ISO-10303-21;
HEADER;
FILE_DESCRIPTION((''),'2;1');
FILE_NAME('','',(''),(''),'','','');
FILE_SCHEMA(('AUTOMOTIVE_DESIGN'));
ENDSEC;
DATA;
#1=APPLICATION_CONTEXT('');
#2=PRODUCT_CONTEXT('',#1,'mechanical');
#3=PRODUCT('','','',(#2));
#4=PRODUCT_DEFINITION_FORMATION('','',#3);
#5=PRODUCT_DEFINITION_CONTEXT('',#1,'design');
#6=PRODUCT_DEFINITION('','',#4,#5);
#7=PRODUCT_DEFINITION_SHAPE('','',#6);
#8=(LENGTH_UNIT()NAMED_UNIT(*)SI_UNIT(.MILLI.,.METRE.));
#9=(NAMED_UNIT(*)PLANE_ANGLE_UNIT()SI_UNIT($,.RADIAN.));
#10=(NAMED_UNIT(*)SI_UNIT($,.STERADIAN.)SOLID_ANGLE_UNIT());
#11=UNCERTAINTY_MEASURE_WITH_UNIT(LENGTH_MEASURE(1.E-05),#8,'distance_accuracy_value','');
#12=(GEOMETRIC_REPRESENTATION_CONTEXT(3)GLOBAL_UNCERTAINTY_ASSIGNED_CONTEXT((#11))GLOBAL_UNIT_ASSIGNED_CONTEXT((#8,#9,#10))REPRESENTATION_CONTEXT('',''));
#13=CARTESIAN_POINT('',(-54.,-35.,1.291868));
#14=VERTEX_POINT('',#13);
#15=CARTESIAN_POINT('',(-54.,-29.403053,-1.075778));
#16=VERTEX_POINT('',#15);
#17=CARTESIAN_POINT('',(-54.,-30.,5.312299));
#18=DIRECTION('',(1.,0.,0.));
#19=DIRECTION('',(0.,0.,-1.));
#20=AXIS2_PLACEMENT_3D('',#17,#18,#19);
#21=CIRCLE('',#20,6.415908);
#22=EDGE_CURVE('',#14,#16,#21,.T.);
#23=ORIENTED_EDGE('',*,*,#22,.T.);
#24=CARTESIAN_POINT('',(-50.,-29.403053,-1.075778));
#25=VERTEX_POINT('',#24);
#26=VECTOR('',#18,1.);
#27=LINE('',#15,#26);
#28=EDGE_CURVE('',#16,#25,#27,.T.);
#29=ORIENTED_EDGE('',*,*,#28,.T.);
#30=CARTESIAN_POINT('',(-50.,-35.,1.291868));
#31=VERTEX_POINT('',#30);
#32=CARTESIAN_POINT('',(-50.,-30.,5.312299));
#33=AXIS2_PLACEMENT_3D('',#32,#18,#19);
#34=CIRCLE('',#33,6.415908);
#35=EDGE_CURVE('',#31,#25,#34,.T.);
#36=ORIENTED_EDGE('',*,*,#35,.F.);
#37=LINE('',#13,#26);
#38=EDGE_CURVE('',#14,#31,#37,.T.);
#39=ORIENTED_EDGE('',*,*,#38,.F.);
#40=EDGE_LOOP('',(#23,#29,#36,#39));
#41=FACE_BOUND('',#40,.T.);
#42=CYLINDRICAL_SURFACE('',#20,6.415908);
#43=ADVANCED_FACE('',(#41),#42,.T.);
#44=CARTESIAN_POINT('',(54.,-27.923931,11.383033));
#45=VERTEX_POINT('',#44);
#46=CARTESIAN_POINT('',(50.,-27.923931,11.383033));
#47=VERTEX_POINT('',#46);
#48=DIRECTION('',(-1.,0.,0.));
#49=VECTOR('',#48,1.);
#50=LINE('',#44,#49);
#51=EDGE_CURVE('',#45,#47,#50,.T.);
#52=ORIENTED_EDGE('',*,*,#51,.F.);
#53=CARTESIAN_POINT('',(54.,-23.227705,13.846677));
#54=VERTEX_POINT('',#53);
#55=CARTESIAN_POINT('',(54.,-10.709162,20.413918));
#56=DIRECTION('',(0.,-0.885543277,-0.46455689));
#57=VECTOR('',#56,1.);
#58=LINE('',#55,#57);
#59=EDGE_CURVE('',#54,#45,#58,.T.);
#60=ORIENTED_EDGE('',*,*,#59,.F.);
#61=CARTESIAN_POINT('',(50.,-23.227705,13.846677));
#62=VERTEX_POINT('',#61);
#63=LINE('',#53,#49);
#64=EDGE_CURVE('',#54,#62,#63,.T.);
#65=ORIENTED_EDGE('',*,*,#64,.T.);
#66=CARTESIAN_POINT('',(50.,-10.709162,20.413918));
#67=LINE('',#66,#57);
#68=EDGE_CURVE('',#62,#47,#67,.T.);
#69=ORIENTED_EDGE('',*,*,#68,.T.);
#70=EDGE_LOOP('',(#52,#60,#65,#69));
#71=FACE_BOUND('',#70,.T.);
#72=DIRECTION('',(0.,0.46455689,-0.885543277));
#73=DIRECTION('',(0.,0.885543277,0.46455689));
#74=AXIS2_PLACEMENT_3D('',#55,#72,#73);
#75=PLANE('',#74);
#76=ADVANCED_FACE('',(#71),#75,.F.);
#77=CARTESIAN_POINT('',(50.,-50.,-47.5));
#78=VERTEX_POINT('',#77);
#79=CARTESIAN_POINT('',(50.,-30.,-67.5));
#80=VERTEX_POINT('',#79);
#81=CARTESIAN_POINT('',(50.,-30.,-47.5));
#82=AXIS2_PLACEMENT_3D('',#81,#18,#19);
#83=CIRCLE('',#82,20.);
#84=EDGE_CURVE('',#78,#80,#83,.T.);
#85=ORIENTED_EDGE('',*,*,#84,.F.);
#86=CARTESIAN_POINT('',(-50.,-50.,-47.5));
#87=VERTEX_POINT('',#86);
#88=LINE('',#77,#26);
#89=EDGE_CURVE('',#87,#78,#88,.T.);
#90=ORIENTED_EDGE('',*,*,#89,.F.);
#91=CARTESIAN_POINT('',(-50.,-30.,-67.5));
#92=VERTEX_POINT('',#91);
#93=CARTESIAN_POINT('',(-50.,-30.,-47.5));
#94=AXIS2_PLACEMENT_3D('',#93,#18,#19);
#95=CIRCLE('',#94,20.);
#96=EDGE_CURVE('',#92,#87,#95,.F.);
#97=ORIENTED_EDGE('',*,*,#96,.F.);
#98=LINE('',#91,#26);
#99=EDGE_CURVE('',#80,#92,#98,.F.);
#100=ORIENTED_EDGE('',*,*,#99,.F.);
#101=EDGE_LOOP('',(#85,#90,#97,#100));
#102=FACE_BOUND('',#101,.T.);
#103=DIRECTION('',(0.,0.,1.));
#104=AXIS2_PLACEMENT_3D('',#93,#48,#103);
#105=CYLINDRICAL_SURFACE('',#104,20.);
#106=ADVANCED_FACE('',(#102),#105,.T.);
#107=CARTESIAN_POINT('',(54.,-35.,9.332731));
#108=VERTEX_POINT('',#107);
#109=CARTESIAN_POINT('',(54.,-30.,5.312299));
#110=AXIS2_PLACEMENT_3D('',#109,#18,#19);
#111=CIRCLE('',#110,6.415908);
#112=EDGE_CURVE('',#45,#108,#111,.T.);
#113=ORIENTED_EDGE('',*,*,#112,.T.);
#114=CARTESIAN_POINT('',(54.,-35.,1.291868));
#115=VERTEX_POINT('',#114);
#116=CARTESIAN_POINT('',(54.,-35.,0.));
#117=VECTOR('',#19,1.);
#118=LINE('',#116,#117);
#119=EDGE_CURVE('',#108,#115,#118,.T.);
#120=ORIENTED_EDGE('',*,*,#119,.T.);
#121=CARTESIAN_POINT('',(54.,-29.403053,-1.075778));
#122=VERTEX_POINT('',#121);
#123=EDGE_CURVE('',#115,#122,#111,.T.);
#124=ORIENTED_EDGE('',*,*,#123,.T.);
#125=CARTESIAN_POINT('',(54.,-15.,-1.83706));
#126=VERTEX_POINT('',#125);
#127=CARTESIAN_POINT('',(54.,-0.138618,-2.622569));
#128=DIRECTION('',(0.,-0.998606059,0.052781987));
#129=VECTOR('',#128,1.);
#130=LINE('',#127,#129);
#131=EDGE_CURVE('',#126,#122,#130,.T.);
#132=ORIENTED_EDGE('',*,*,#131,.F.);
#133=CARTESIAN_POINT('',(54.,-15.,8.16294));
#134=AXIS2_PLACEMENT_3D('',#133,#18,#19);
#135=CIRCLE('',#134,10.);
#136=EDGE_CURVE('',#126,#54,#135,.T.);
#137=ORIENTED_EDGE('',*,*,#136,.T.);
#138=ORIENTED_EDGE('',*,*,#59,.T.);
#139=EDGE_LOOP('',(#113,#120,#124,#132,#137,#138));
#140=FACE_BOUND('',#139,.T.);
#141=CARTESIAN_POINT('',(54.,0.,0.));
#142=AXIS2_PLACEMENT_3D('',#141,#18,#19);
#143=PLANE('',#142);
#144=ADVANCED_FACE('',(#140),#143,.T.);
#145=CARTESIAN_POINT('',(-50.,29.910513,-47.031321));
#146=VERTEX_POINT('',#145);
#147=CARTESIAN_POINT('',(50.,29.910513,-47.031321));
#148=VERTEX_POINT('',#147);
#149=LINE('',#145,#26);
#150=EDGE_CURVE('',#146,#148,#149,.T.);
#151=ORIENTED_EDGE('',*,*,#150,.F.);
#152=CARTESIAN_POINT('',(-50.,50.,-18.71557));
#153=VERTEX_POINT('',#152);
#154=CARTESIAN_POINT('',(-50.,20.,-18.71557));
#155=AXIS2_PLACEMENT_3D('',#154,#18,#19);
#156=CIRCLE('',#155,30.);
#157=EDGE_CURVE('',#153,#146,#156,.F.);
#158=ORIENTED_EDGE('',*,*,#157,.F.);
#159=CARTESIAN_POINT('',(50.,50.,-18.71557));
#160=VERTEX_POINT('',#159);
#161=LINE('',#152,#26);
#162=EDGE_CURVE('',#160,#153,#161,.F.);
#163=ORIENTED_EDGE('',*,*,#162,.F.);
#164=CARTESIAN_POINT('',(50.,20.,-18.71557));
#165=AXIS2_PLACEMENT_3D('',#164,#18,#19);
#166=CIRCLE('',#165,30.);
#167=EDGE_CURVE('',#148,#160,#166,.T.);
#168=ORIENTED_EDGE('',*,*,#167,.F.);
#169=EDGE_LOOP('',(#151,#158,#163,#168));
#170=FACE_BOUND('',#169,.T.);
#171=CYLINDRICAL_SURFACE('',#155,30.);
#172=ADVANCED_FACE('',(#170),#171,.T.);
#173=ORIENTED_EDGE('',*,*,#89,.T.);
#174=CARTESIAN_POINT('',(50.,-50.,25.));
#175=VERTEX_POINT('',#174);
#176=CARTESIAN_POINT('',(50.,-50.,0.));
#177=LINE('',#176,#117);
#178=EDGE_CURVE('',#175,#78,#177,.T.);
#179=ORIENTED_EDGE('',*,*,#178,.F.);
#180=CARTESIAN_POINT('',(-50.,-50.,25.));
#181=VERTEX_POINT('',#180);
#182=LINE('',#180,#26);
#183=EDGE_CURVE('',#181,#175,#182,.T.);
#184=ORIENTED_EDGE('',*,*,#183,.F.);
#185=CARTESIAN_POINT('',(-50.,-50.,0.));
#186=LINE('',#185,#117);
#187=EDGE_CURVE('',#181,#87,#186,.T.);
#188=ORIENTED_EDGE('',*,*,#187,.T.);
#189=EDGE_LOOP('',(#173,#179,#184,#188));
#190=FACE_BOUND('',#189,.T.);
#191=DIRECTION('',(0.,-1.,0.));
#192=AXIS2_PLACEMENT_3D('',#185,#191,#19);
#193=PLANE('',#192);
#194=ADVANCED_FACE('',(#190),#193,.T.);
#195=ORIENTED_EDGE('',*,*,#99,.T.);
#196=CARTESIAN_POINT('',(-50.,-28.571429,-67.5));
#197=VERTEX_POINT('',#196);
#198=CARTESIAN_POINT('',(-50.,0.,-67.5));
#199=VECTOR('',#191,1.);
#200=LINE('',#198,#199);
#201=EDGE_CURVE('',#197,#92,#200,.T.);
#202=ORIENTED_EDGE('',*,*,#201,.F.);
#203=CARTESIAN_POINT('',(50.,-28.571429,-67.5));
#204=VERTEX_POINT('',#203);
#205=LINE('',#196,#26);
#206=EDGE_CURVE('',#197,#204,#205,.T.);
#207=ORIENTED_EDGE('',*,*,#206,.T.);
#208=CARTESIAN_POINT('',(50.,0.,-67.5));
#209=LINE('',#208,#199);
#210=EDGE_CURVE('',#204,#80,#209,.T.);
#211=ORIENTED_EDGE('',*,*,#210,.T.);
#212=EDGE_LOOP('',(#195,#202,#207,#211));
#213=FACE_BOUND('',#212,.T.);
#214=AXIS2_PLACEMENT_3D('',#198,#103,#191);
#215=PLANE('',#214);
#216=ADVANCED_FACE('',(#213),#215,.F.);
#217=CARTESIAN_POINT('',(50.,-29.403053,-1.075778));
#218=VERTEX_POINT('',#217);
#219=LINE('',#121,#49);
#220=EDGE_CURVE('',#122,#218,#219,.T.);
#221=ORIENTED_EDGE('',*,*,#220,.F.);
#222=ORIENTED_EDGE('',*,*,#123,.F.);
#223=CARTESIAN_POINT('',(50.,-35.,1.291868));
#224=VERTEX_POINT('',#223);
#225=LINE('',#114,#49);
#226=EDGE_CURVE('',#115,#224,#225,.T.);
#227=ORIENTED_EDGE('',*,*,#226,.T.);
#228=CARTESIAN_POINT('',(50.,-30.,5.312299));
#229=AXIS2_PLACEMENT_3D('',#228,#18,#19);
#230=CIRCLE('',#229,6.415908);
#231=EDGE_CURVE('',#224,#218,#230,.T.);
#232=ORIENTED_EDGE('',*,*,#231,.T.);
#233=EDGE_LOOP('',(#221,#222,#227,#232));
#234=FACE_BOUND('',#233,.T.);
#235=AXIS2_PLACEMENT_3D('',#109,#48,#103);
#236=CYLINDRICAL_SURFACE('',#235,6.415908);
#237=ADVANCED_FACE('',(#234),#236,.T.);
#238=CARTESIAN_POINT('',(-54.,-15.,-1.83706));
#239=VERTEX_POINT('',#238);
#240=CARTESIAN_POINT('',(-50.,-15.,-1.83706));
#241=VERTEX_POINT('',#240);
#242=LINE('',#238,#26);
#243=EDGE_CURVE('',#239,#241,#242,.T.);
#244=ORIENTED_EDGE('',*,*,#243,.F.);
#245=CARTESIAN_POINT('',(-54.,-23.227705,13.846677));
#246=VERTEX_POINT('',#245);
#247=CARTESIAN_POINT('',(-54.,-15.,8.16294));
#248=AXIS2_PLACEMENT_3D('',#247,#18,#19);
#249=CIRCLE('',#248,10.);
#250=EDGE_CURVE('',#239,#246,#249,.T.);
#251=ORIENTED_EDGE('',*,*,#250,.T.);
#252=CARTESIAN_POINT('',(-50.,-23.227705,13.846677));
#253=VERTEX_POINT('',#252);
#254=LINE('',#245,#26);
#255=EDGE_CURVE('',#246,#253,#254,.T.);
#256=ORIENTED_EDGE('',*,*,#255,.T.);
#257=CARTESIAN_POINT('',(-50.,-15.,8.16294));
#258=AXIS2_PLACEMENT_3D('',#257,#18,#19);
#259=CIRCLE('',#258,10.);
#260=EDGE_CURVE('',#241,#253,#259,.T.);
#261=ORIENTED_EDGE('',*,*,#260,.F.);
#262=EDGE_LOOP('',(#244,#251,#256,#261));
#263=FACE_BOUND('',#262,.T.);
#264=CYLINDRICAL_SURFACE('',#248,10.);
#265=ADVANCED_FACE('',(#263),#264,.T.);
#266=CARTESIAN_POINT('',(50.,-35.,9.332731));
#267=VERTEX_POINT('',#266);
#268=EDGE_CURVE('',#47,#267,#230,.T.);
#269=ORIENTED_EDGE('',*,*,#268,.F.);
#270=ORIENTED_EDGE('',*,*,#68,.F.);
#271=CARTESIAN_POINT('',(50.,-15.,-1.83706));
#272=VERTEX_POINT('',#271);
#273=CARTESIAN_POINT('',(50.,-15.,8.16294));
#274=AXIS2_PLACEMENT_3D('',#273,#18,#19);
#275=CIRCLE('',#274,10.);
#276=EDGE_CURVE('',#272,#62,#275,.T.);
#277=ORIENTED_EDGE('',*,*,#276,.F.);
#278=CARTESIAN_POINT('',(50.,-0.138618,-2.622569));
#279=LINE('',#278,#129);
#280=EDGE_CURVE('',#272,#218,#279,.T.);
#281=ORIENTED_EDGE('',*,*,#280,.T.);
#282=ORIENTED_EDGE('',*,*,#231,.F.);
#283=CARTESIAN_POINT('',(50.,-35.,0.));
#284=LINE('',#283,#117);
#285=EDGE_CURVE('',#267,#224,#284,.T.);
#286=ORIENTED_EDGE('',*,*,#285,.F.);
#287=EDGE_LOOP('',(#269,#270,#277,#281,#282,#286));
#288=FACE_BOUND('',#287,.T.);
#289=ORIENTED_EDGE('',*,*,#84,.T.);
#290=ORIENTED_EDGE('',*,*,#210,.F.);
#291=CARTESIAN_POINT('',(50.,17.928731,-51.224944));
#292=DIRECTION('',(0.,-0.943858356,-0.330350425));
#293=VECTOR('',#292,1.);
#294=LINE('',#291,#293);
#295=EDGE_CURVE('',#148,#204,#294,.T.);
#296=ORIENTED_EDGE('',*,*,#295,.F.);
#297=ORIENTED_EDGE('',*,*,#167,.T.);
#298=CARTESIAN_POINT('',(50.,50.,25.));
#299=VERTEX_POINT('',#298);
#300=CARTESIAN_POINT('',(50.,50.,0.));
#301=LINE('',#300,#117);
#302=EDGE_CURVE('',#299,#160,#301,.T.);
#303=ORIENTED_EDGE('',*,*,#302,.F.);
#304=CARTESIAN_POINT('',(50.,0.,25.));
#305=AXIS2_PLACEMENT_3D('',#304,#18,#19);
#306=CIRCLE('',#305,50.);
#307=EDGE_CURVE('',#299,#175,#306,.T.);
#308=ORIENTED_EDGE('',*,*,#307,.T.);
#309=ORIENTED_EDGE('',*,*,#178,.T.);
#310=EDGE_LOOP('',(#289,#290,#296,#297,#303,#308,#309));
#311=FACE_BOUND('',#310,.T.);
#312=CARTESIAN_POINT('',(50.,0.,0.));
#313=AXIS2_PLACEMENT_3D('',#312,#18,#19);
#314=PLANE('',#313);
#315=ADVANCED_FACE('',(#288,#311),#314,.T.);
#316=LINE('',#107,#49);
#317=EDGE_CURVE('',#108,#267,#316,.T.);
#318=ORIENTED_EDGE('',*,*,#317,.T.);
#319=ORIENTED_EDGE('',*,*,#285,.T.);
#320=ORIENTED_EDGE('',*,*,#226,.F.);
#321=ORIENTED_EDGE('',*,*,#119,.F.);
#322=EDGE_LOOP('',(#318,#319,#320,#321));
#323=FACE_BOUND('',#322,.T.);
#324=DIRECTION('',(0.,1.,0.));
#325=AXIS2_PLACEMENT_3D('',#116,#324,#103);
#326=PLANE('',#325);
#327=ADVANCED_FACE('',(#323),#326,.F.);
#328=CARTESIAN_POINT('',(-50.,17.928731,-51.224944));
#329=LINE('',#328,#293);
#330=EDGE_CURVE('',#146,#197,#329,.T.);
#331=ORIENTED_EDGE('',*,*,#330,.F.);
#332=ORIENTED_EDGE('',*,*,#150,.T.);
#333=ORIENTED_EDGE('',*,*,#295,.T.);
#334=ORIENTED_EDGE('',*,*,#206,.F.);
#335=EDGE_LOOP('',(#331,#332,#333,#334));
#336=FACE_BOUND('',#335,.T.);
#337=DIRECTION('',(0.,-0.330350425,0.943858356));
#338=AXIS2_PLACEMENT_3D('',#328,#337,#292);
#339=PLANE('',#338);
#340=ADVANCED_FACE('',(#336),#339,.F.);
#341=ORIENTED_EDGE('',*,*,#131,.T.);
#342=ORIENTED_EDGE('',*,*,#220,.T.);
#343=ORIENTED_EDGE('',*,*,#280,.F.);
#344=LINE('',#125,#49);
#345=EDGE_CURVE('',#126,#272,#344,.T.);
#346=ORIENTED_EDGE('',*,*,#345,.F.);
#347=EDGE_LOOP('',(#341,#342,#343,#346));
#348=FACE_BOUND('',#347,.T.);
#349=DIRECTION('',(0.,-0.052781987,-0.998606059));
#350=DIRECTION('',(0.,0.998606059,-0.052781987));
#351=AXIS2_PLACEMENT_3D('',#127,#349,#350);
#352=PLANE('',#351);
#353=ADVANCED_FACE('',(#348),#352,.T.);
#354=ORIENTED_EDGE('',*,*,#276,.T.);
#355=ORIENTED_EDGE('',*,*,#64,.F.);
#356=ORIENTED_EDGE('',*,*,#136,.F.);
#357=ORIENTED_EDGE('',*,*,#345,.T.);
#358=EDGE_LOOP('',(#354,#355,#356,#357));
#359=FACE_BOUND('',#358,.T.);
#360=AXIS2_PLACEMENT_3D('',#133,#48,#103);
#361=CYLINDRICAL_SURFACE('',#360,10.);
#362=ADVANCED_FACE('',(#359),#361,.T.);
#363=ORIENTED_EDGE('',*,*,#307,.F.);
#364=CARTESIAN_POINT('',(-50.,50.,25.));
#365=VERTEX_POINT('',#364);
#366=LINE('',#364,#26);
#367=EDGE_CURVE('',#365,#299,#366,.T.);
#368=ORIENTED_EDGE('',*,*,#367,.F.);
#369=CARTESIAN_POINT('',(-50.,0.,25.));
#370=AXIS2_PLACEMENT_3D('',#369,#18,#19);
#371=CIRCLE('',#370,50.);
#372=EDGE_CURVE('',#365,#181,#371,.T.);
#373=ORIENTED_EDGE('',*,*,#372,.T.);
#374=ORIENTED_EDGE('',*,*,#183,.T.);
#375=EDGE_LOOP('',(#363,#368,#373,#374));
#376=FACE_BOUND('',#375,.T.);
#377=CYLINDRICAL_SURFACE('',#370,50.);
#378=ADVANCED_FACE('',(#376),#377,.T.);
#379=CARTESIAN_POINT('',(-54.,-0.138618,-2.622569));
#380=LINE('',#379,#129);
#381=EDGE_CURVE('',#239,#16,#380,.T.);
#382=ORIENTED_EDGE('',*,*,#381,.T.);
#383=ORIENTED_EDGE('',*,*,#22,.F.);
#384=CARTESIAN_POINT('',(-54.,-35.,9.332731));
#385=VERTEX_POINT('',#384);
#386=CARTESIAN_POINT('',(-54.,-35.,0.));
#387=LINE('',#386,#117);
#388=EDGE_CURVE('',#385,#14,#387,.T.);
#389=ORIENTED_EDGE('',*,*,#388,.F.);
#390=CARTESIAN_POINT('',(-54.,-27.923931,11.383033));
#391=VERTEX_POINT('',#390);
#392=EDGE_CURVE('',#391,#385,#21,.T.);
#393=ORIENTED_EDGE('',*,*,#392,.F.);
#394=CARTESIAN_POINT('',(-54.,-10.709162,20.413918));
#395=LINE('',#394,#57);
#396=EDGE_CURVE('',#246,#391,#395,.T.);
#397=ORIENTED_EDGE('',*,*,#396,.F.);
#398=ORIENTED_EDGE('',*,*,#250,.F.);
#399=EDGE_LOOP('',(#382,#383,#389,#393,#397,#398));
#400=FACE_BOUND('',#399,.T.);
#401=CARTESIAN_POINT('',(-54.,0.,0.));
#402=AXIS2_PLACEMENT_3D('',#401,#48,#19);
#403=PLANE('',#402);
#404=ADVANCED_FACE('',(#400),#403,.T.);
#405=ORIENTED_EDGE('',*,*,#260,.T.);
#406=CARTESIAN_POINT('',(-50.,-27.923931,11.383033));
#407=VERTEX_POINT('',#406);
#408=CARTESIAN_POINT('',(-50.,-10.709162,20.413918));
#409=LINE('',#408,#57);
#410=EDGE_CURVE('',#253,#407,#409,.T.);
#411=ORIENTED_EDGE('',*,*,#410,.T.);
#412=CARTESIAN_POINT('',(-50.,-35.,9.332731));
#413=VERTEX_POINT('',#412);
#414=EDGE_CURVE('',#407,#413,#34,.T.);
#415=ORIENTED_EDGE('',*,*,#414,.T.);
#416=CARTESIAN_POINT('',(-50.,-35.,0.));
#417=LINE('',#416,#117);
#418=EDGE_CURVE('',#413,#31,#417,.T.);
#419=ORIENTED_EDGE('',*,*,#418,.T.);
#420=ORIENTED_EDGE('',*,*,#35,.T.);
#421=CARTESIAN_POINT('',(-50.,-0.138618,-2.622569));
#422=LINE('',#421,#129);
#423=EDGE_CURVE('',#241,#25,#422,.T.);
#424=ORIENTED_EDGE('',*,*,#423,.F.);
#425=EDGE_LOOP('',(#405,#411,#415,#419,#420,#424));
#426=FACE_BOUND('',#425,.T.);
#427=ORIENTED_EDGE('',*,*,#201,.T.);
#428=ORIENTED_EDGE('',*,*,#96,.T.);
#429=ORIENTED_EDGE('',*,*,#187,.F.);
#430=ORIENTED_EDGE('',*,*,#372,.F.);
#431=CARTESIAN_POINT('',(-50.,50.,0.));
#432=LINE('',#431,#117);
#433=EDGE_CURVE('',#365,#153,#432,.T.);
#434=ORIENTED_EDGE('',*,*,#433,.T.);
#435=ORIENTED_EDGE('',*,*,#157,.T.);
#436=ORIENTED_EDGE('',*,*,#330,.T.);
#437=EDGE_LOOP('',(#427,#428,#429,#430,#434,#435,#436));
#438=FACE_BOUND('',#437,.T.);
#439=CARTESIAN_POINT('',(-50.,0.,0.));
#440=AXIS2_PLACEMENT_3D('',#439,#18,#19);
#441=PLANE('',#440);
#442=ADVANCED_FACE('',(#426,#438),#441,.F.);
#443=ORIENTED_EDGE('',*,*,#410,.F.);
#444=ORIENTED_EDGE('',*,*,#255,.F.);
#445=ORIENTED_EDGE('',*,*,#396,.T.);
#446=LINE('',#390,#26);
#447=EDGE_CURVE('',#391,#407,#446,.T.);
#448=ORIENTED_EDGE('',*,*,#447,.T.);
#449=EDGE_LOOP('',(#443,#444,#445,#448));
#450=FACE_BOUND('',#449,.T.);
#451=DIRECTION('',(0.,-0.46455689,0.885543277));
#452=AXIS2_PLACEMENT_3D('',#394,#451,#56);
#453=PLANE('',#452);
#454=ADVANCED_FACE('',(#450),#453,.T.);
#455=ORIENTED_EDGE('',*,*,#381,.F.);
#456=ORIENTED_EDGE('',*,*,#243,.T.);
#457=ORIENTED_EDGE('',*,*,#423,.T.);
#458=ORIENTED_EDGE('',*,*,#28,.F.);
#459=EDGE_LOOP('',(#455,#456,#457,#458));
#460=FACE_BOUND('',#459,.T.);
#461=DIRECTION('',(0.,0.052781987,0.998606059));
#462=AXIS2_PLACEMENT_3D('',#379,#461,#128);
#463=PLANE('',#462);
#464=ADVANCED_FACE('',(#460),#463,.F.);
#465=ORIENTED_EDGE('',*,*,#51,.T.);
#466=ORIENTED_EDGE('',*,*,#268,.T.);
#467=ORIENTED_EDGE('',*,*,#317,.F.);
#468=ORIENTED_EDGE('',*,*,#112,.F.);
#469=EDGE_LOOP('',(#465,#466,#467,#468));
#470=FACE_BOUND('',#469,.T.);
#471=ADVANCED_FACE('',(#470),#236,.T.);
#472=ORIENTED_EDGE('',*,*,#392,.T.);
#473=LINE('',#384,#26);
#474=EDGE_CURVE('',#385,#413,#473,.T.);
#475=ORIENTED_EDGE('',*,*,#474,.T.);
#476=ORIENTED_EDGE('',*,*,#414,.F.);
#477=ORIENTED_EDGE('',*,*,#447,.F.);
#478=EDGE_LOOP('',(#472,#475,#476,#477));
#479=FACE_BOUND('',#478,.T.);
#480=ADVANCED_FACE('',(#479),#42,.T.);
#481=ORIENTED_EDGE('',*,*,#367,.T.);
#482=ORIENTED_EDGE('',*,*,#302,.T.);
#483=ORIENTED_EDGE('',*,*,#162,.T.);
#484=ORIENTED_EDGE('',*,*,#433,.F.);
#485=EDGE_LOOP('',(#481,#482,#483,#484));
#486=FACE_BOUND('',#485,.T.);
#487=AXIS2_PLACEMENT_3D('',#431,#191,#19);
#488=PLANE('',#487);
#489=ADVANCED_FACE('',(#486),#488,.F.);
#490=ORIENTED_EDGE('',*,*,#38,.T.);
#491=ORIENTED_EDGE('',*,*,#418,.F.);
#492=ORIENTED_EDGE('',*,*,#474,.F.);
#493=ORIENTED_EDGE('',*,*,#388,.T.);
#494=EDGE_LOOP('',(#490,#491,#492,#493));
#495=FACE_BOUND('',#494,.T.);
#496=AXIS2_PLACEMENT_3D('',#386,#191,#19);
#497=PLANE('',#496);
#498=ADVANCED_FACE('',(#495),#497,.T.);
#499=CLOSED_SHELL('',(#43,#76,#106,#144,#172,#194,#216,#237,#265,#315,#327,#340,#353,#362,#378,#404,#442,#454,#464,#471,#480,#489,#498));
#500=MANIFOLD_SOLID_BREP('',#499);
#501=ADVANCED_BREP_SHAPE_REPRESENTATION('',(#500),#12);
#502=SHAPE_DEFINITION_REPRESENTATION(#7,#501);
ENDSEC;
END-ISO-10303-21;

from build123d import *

# Parameters (mm, degrees)
BOSS_EXTRUDE1_DEPTH      = 50
BOSS_EXTRUDE1_DEPTH_BACK = 50
FILLET1_R                = 30
BOSS_EXTRUDE2_DEPTH      = 4
FILLET4_R                = 20


with BuildPart() as part:
    # Sketch1 → Boss-Extrude1 (new, two sides: drawn at the far end of the back side and taken through both)
    with BuildSketch(Plane(origin=(0, 0, 0), x_dir=(0, 0, -1), z_dir=(1, 0, 0)).offset(-BOSS_EXTRUDE1_DEPTH_BACK)):
        with BuildLine():
            Line((67.5, -28.571428571), (40, 50))
            Line((40, 50), (-25.000000097, 50))
            ThreePointArc((-25.000000097, 50), (-75, -6.7e-08), (-24.999999963, -50))
            Line((-24.999999963, -50), (67.5, -50))
            Line((67.5, -50), (67.5, -28.571428571))
        make_face()
    extrude(amount=BOSS_EXTRUDE1_DEPTH + BOSS_EXTRUDE1_DEPTH_BACK)

    # Fillet1
    fillet1_edges = [part.edges().sort_by_distance(p)[0] for p in [
        (0, 50, -40),
    ]]
    fillet(fillet1_edges, radius=FILLET1_R)

    # Sketch6 → Boss-Extrude2 (add)
    with BuildSketch(Plane(origin=(50, 0, 0), x_dir=(0, 0, -1), z_dir=(1, 0, 0))):
        with BuildLine():
            ThreePointArc((-1.291867628, -35), (0.59665296, -32.49963092), (1.075777558, -29.403052943))
            Line((1.075777558, -29.403052943), (1.837060492, -15))
            ThreePointArc((1.837060492, -15), (-12.80850841, -6.144567228), (-13.846677423, -23.22770462))
            Line((-13.846677423, -23.22770462), (-11.38303259, -27.92393056))
            ThreePointArc((-11.38303259, -27.92393056), (-11.474733065, -31.785574712), (-9.332730592, -35))
            Line((-9.332730592, -35), (-1.291867628, -35))
        make_face()
    boss_extrude2 = extrude(amount=BOSS_EXTRUDE2_DEPTH)

    # Mirror2: Boss-Extrude2 across plane
    add(boss_extrude2.mirror(Plane(origin=(0, 0, 0), x_dir=(0, 0, 1), z_dir=(1, 0, 0))))

    # Fillet4
    fillet4_edges = [part.edges().sort_by_distance(p)[0] for p in [
        (0, -50, -67.5),
    ]]
    fillet(fillet4_edges, radius=FILLET4_R)


solid = part.part
